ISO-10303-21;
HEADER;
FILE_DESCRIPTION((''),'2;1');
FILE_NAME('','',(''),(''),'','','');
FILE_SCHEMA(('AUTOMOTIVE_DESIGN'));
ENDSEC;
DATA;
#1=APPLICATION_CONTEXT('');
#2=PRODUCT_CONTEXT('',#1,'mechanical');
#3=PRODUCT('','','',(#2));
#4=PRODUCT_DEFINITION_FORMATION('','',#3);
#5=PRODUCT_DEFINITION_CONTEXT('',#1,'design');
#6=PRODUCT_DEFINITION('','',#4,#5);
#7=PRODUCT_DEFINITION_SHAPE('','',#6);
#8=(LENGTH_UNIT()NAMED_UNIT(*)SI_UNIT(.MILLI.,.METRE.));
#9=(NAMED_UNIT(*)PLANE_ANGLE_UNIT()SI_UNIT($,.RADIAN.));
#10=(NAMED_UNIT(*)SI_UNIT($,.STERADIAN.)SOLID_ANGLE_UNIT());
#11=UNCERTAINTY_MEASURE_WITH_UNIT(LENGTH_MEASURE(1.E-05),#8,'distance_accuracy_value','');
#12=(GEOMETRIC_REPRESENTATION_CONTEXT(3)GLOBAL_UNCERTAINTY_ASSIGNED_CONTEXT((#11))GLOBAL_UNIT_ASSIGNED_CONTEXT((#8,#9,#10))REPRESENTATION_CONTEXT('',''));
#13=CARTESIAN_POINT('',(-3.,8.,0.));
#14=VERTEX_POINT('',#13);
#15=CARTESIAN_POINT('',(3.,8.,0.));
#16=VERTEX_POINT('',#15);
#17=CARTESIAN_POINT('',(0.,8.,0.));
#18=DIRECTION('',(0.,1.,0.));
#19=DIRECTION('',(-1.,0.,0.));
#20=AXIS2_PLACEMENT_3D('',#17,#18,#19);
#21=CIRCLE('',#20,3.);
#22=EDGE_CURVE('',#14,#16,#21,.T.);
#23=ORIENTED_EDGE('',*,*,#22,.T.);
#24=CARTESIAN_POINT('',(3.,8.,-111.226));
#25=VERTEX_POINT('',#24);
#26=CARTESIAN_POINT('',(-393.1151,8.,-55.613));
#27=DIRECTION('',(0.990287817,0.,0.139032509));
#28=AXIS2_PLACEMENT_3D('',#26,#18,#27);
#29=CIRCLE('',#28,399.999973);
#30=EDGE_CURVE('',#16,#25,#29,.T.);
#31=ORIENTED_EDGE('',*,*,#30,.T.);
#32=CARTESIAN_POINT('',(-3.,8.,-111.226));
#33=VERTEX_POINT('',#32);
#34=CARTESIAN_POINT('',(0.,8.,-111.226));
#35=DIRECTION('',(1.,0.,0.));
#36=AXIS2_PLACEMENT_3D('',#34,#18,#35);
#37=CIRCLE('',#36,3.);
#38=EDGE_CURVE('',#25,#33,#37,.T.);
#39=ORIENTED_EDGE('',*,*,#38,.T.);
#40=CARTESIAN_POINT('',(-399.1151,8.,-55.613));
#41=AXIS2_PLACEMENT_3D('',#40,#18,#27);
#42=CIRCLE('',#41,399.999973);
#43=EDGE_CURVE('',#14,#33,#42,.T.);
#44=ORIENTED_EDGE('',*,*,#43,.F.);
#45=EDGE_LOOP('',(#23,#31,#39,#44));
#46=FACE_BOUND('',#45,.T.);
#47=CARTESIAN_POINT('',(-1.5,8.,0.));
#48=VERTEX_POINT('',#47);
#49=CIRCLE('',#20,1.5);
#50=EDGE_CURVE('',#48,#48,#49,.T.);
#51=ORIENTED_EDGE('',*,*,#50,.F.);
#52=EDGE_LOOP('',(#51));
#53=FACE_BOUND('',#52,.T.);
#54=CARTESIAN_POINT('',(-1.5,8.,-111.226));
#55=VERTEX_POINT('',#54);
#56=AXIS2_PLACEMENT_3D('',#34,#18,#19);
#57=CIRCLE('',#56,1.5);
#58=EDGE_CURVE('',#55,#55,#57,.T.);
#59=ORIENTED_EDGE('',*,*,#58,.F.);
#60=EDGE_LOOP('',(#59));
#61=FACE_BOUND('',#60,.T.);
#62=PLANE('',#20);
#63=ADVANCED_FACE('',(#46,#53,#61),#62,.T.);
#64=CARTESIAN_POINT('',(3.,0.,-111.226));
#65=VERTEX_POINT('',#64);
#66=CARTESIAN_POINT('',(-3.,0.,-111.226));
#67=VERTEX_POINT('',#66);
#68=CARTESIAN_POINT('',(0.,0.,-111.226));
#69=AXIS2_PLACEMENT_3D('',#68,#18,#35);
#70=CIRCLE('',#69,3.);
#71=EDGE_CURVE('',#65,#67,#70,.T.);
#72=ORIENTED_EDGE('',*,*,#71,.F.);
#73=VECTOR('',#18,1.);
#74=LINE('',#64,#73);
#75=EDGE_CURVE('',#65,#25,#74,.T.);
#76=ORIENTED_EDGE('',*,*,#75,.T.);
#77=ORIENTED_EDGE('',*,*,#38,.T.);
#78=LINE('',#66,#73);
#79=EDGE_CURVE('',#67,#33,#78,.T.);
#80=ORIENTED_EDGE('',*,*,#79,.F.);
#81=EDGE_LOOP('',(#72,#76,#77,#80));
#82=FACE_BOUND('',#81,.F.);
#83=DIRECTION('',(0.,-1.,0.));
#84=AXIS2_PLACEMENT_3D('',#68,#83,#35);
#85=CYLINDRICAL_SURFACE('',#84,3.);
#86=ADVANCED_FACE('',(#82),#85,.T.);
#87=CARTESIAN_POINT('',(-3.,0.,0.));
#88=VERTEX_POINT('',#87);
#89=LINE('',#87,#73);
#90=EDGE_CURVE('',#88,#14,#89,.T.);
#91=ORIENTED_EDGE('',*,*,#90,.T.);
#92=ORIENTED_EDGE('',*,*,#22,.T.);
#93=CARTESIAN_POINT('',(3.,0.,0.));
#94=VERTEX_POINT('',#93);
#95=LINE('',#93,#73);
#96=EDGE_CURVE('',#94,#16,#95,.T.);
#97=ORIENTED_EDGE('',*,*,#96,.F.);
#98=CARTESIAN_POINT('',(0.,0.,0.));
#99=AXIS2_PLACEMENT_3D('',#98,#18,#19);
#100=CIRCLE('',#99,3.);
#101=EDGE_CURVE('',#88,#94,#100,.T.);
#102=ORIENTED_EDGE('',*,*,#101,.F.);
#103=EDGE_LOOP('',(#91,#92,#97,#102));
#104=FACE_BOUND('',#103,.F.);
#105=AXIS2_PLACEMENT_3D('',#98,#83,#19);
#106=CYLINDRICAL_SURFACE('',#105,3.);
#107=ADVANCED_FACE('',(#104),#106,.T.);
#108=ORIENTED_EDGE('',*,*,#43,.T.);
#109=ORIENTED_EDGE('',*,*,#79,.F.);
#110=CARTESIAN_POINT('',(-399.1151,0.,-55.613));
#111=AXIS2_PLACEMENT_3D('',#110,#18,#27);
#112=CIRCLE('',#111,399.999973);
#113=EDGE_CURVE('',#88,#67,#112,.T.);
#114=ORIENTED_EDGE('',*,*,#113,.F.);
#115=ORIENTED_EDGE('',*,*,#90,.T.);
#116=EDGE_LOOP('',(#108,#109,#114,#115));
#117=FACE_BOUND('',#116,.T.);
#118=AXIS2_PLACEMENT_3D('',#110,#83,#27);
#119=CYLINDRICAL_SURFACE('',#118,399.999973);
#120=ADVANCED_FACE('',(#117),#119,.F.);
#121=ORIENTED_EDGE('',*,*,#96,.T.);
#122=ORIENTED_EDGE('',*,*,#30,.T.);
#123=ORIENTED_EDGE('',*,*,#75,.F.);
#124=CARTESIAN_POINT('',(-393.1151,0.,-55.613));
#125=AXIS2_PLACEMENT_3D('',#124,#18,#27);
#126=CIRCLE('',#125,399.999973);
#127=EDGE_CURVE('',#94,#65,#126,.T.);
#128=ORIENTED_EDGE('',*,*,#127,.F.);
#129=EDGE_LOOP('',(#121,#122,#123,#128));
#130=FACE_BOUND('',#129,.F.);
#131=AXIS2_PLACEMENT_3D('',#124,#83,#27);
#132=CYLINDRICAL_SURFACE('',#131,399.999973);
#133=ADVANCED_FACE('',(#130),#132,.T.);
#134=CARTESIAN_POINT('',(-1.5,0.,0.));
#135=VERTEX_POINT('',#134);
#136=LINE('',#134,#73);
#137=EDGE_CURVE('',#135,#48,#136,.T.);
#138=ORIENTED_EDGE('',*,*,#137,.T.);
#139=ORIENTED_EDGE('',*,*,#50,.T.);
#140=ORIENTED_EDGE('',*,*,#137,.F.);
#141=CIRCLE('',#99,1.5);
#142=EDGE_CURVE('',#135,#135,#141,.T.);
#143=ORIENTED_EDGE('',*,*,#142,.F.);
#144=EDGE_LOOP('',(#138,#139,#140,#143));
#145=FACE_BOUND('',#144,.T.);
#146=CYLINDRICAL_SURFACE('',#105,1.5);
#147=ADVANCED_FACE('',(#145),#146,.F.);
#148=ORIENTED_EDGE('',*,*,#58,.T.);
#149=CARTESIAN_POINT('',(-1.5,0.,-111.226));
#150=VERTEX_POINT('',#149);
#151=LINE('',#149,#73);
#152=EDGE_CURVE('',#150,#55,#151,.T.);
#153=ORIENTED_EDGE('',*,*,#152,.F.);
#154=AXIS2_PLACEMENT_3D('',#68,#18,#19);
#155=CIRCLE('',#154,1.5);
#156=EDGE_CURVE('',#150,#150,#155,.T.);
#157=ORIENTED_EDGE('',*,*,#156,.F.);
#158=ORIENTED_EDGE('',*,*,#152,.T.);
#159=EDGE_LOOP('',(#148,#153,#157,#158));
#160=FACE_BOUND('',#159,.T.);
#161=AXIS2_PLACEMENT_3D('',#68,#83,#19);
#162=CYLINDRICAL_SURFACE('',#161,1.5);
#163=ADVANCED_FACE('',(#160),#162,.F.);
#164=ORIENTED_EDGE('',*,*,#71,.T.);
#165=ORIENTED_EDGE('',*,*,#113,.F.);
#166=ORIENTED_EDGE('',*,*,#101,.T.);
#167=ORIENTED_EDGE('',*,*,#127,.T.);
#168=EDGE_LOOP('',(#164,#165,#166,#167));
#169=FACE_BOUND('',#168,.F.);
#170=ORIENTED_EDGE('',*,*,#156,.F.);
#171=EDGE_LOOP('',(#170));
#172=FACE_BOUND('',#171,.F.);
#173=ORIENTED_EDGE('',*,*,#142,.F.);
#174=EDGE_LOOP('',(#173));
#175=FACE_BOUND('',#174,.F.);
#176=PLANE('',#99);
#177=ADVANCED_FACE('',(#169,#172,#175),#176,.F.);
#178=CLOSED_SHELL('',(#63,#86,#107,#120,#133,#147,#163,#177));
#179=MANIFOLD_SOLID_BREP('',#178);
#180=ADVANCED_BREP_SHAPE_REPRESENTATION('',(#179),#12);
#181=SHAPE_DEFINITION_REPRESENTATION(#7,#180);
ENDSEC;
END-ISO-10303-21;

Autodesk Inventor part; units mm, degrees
ref_plane "YZ Plane" through (0, 0, 0) normal (1, 0, 0) x (0, 1, 0)
ref_plane "XZ Plane" through (0, 0, 0) normal (0, 1, 0) x (-1, 0, 0)
ref_plane "XY Plane" through (0, 0, 0) normal (0, 0, 1) x (1, 0, 0)
sketch "Sketch1" plane through (0, 0, 0) normal (0, 1, 0) x (-1, 0, 0)
  line L0 (0, 0) -> (0, -111.226) construction
  line L1 (-3, 0) -> (-3, -111.226)
  line L2 (3, -111.226) -> (3, 0)
  arc A0 (3, 0) -> (-3, 0) centre (0, 0) ccw
  arc A1 (-3, -111.226) -> (3, -111.226) centre (0, -111.226) ccw
  circle A2 centre (0, 0) radius 1.5
  circle A3 centre (0, -111.226) radius 1.5
  arc A4 (3, 0) -> (3, -111.226) centre (399.1151, -55.613) ccw
  arc A5 (-3, 0) -> (-3, -111.226) centre (393.1151, -55.613) ccw
  point P0 (0, -55.613)
  dimension "d0" = 111.226
  dimension "d1" = 6
  dimension "d2" = 3
  dimension "d3" = 3
  dimension "d10" = 400
  dimension "d11" = 400
extrude "Extrusion1" add sketch "Sketch1" along normal blind 8 contours A0 A4 A1 L1 | L1 A5
sketch "Sketch2" plane through (0, 0, 0) normal (0, -1, 0) x (1, 0, 0)
  arc A0 (3, 0) -> (-3, 0) centre (0, 0) ccw projected
  arc A1 (-3, -111.226) -> (-3, 0) centre (-399.1151, -55.613) ccw projected
  arc A2 (-3, -111.226) -> (3, -111.226) centre (0, -111.226) ccw projected
  arc A3 (3, -111.226) -> (3, 0) centre (-393.1151, -55.613) ccw projected
  circle A4 centre (0, -111.226) radius 1.5 projected
  circle A5 centre (0, 0) radius 1.5 projected
